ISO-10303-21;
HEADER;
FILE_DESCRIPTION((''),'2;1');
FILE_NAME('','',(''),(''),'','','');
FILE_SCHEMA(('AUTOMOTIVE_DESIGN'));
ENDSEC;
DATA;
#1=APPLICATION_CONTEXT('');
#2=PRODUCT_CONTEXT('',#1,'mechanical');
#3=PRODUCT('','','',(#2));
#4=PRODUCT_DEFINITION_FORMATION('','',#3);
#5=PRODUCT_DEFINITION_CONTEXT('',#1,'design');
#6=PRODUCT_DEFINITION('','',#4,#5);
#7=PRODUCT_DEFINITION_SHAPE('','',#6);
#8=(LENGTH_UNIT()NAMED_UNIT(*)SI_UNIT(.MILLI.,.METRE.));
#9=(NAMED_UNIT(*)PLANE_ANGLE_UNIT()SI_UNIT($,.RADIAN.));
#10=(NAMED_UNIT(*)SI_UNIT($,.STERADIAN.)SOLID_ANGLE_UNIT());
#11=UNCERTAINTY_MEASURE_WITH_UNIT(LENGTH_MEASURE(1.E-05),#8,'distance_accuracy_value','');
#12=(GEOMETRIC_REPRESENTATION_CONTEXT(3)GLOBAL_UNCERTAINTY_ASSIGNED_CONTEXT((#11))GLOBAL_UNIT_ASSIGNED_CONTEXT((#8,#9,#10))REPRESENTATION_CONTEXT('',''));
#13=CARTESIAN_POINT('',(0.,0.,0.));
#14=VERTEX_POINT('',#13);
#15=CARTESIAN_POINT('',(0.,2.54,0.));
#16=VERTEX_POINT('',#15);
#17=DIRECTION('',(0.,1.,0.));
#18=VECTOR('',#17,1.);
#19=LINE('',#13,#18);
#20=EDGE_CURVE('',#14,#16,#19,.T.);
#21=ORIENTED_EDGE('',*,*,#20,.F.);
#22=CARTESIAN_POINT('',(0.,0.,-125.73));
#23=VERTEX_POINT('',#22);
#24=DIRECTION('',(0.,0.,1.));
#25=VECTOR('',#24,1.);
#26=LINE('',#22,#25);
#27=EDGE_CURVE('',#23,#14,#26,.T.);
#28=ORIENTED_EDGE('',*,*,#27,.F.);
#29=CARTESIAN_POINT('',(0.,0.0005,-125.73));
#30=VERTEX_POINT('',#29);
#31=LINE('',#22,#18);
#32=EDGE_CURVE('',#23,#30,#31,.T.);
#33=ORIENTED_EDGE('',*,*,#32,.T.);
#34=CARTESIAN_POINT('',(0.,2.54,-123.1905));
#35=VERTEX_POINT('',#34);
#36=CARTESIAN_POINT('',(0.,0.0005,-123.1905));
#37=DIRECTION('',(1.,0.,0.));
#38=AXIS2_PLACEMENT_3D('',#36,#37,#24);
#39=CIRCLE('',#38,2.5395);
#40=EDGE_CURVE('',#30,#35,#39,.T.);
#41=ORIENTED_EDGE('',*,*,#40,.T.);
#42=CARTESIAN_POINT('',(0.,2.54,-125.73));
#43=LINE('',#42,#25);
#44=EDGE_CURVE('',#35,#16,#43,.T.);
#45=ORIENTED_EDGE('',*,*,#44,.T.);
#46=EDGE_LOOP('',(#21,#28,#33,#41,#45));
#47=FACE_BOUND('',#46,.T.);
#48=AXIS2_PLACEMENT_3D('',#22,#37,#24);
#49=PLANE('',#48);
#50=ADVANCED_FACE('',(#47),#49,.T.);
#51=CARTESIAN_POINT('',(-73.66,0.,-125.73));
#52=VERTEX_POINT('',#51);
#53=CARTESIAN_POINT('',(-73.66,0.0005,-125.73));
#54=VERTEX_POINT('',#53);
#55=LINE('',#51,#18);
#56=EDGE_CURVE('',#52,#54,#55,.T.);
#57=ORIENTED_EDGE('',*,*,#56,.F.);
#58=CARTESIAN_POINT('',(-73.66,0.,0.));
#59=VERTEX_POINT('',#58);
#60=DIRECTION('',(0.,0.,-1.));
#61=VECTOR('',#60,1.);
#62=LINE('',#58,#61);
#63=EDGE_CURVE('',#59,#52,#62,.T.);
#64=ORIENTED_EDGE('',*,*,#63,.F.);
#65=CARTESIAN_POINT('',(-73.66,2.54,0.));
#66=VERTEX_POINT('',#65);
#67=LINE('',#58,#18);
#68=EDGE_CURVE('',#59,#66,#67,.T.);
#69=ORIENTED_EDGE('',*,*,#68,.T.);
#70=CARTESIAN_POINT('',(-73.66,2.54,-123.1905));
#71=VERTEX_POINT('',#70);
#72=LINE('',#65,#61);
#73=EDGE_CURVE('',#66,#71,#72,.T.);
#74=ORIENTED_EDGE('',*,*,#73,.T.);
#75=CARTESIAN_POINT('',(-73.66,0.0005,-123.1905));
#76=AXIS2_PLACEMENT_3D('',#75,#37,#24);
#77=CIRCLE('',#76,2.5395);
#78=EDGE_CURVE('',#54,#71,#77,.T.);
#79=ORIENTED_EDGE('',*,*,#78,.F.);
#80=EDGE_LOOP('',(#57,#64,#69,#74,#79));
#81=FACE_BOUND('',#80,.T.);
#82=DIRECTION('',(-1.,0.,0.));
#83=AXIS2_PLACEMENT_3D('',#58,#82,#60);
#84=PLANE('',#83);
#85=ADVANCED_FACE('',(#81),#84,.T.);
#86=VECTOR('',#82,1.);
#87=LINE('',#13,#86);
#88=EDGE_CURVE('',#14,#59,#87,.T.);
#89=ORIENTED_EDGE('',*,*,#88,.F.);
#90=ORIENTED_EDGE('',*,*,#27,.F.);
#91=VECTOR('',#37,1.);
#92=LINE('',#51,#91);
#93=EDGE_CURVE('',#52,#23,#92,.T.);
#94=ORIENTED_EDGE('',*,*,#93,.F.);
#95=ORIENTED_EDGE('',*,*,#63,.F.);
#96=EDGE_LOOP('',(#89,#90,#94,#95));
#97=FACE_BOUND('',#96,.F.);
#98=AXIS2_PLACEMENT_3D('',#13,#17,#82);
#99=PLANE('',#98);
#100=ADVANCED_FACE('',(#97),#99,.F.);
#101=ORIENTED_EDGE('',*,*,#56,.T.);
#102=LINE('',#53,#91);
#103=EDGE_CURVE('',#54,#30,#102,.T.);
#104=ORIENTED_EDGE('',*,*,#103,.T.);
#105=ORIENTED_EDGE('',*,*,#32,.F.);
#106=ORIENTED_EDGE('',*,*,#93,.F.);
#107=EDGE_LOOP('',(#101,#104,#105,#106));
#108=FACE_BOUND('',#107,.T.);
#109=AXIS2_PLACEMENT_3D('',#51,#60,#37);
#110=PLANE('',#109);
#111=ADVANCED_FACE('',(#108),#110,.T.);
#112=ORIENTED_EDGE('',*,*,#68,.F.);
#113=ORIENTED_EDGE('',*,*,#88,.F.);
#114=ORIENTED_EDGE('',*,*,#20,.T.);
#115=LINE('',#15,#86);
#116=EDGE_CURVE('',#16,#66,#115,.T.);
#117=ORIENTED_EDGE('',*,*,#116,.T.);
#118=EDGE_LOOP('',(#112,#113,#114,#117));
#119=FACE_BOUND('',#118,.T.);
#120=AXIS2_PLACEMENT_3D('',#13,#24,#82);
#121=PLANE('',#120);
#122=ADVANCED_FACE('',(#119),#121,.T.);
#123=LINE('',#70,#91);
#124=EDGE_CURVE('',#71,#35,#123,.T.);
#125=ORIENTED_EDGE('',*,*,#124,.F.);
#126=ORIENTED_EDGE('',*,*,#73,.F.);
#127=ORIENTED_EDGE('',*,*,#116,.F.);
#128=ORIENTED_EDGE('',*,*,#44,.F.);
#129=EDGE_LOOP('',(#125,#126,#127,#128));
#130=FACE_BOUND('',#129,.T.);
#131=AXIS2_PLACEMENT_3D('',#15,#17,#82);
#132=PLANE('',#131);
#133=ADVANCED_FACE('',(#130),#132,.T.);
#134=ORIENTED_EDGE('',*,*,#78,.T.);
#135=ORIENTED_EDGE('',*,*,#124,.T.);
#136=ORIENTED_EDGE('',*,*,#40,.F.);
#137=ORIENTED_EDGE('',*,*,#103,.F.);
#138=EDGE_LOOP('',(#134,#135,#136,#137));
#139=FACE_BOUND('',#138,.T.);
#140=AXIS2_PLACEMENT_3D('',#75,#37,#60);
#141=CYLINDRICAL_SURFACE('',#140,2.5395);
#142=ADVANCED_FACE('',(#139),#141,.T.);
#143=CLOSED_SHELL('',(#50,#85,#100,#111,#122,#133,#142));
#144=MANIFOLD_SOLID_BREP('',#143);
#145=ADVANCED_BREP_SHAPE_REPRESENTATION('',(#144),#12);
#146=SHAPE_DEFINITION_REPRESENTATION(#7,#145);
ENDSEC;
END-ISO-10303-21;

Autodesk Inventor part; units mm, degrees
ref_plane "YZ Plane" through (0, 0, 0) normal (1, 0, 0) x (0, 1, 0)
ref_plane "XZ Plane" through (0, 0, 0) normal (0, 1, 0) x (-1, 0, 0)
ref_plane "XY Plane" through (0, 0, 0) normal (0, 0, 1) x (1, 0, 0)
sketch "Sketch1" plane through (0, 0, 0) normal (0, 1, 0) x (-1, 0, 0)
  line L0 (0, 0) -> (73.66, 0)
  line L1 (73.66, 0) -> (73.66, -125.73)
  line L2 (73.66, -125.73) -> (0, -125.73)
  line L3 (0, -125.73) -> (0, 0)
  dimension "d0" = 73.66
  dimension "d1" = 125.73
extrude "Extrusion1" add sketch "Sketch1" along normal blind 2.54
fillet "Fillet2" radius 2.54 1 edges at (-36.83, 2.54, -125.73)
properties part number "CaseCover"
